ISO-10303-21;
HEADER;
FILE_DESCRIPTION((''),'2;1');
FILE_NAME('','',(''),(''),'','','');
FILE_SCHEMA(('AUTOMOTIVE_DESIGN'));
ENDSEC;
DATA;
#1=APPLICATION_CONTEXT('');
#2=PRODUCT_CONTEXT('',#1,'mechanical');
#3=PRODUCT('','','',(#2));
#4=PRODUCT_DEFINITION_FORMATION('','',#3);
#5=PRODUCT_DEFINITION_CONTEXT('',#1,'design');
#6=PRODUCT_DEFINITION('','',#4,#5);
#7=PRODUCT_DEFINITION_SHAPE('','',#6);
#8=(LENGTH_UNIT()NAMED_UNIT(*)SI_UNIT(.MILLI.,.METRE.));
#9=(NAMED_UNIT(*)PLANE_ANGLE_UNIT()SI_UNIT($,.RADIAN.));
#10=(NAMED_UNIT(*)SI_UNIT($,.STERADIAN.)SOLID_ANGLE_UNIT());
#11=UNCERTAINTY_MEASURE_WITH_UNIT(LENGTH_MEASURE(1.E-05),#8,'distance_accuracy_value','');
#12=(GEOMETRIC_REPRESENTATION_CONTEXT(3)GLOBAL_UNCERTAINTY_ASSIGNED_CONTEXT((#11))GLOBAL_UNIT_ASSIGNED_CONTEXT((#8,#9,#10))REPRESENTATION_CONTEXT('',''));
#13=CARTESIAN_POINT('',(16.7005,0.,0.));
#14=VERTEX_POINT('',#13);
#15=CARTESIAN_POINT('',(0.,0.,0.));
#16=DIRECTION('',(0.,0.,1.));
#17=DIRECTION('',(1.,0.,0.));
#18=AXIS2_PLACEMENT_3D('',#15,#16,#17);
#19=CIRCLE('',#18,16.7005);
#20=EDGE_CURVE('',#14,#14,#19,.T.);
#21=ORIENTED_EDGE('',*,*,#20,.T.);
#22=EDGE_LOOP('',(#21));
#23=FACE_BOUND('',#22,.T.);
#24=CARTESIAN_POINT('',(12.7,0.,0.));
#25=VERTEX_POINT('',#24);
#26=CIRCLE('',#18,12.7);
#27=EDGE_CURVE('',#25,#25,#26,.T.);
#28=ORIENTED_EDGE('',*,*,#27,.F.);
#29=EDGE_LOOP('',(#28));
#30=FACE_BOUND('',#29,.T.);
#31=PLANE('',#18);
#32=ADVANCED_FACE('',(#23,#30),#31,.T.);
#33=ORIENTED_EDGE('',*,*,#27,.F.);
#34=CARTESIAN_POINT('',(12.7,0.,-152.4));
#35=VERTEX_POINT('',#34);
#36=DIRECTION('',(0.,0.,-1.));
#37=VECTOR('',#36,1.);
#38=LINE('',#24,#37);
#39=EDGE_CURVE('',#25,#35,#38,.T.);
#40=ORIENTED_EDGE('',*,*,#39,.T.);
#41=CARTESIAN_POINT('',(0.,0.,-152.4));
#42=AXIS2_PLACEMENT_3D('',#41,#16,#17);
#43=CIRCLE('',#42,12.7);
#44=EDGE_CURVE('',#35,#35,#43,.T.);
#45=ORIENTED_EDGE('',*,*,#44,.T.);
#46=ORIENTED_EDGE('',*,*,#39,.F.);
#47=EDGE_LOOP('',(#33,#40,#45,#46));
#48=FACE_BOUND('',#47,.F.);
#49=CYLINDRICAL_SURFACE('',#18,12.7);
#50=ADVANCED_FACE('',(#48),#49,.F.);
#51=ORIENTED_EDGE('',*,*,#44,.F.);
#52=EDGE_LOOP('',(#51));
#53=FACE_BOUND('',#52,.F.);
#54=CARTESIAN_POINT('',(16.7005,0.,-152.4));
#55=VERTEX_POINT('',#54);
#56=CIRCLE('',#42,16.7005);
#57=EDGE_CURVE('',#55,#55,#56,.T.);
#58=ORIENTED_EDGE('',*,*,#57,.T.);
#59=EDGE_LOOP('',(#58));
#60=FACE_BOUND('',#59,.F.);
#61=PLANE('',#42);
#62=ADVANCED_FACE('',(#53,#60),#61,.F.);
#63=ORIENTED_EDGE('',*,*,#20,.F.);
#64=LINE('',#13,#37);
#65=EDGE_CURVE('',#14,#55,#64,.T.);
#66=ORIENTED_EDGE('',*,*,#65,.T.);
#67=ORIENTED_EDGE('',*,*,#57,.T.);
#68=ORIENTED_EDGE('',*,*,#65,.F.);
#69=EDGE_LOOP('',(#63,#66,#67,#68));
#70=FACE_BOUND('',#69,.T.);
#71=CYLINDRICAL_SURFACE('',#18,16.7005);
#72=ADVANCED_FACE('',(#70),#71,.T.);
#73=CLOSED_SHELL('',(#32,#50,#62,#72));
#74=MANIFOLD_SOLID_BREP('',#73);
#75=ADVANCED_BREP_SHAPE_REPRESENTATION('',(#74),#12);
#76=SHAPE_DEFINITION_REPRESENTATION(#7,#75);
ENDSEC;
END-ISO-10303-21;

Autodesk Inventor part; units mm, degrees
ref_plane "YZ Plane" through (0, 0, 0) normal (1, 0, 0) x (0, 1, 0)
ref_plane "XZ Plane" through (0, 0, 0) normal (0, 1, 0) x (-1, 0, 0)
ref_plane "XY Plane" through (0, 0, 0) normal (0, 0, 1) x (1, 0, 0)
sketch "Sketch1" plane through (0, 0, 0) normal (0, 0, 1) x (1, 0, 0)
  circle A0 centre (0, 0) radius 16.7005
  circle A1 centre (0, 0) radius 12.7
  dimension "d0" = 33.401
  dimension "d1" = 25.4
extrude "Extrusion1" add sketch "Sketch1" against normal blind 152.4
properties part number "Pipe 2"
